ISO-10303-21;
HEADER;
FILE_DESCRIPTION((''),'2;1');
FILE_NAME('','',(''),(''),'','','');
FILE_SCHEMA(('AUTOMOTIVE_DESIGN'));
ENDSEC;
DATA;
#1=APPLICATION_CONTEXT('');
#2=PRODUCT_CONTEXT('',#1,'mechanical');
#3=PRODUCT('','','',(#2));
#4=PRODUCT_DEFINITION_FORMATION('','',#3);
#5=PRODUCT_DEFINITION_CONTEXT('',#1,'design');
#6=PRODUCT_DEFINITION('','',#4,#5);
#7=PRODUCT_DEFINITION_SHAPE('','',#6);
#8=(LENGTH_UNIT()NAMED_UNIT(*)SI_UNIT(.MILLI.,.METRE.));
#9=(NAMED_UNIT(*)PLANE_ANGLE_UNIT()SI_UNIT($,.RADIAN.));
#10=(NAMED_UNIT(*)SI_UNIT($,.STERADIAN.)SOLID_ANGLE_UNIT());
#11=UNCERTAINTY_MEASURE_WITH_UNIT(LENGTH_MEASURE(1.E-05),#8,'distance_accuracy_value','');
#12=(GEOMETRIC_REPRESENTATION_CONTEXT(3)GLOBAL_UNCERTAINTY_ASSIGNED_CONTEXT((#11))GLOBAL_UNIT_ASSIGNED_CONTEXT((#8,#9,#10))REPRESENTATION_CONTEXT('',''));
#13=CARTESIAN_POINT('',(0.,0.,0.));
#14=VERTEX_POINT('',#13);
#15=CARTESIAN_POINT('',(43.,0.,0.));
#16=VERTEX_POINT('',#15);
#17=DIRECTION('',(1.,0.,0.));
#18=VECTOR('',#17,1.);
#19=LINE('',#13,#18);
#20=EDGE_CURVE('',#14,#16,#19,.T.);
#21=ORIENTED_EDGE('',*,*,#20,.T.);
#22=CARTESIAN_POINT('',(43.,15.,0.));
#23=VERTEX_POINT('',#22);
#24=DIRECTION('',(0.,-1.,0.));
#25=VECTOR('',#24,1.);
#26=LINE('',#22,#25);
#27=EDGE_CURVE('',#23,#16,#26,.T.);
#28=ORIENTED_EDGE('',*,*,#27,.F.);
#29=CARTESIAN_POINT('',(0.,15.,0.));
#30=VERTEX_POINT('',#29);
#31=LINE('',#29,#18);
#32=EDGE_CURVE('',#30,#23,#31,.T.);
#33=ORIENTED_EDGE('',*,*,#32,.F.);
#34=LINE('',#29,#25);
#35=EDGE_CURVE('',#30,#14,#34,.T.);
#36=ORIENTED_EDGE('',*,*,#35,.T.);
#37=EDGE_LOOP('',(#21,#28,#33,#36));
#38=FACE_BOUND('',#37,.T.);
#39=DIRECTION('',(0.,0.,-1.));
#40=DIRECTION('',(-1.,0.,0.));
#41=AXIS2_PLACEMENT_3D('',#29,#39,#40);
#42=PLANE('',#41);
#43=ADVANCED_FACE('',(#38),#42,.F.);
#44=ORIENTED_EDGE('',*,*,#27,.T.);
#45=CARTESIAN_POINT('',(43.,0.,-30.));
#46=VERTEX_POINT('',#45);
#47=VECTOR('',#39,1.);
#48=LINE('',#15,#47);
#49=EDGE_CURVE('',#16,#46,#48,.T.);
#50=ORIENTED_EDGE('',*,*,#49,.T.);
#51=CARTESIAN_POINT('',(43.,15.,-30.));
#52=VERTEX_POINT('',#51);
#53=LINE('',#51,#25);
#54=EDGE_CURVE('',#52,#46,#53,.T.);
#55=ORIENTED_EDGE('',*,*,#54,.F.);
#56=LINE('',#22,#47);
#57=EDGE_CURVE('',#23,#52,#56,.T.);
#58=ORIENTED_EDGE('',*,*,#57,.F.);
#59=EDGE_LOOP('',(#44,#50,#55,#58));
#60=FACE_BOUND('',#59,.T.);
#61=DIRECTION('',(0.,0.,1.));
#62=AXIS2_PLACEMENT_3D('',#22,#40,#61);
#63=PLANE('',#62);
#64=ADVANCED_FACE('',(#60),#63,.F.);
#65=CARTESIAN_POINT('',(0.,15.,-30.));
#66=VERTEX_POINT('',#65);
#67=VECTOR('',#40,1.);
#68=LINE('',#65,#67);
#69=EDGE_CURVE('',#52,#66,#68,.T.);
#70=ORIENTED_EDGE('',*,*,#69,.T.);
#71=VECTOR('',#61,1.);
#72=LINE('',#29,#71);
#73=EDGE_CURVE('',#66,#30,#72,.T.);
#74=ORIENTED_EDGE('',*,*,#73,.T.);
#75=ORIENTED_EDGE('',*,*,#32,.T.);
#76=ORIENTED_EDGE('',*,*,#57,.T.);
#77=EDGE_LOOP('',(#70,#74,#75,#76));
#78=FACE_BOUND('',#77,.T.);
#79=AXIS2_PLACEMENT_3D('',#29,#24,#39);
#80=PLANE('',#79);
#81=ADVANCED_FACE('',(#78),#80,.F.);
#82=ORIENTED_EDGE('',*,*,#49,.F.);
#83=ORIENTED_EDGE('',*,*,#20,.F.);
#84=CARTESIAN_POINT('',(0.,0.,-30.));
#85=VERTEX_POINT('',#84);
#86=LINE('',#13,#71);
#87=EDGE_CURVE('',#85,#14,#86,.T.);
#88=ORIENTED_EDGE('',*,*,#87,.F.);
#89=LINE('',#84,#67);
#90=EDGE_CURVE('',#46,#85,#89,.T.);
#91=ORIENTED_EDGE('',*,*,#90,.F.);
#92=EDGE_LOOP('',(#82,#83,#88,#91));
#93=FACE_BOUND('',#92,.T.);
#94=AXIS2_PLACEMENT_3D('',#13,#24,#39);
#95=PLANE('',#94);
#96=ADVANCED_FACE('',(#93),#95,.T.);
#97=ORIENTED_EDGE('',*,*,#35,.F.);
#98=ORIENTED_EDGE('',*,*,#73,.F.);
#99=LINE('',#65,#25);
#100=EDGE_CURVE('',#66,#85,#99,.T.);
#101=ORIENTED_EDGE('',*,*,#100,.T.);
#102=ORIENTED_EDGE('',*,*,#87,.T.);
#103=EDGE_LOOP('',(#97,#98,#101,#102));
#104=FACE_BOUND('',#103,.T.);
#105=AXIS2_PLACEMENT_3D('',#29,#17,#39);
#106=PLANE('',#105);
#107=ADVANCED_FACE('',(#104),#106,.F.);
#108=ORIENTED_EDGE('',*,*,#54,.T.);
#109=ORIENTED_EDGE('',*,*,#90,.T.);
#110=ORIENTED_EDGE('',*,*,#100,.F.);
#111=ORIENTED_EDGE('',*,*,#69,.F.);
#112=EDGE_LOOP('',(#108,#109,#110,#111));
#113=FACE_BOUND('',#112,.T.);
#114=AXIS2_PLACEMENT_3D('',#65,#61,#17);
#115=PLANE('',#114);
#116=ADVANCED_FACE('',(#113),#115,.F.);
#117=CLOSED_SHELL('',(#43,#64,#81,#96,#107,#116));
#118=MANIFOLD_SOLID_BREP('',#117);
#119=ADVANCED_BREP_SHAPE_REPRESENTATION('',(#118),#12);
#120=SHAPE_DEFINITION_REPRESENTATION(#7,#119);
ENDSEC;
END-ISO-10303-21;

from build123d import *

# Parameters (mm, degrees)
SKETCH1_W           = 43
SKETCH1_H           = 30
BOSS_EXTRUDE1_DEPTH = 15


with BuildPart() as part:
    # Sketch1 → Boss-Extrude1 (new body)
    with BuildSketch(Plane(origin=(0, 0, 0), x_dir=(1, 0, 0), z_dir=(0, 1, 0))):
        with Locations((21.5, 15)):
            Rectangle(SKETCH1_W, SKETCH1_H)
    extrude(amount=BOSS_EXTRUDE1_DEPTH)


solid = part.part
